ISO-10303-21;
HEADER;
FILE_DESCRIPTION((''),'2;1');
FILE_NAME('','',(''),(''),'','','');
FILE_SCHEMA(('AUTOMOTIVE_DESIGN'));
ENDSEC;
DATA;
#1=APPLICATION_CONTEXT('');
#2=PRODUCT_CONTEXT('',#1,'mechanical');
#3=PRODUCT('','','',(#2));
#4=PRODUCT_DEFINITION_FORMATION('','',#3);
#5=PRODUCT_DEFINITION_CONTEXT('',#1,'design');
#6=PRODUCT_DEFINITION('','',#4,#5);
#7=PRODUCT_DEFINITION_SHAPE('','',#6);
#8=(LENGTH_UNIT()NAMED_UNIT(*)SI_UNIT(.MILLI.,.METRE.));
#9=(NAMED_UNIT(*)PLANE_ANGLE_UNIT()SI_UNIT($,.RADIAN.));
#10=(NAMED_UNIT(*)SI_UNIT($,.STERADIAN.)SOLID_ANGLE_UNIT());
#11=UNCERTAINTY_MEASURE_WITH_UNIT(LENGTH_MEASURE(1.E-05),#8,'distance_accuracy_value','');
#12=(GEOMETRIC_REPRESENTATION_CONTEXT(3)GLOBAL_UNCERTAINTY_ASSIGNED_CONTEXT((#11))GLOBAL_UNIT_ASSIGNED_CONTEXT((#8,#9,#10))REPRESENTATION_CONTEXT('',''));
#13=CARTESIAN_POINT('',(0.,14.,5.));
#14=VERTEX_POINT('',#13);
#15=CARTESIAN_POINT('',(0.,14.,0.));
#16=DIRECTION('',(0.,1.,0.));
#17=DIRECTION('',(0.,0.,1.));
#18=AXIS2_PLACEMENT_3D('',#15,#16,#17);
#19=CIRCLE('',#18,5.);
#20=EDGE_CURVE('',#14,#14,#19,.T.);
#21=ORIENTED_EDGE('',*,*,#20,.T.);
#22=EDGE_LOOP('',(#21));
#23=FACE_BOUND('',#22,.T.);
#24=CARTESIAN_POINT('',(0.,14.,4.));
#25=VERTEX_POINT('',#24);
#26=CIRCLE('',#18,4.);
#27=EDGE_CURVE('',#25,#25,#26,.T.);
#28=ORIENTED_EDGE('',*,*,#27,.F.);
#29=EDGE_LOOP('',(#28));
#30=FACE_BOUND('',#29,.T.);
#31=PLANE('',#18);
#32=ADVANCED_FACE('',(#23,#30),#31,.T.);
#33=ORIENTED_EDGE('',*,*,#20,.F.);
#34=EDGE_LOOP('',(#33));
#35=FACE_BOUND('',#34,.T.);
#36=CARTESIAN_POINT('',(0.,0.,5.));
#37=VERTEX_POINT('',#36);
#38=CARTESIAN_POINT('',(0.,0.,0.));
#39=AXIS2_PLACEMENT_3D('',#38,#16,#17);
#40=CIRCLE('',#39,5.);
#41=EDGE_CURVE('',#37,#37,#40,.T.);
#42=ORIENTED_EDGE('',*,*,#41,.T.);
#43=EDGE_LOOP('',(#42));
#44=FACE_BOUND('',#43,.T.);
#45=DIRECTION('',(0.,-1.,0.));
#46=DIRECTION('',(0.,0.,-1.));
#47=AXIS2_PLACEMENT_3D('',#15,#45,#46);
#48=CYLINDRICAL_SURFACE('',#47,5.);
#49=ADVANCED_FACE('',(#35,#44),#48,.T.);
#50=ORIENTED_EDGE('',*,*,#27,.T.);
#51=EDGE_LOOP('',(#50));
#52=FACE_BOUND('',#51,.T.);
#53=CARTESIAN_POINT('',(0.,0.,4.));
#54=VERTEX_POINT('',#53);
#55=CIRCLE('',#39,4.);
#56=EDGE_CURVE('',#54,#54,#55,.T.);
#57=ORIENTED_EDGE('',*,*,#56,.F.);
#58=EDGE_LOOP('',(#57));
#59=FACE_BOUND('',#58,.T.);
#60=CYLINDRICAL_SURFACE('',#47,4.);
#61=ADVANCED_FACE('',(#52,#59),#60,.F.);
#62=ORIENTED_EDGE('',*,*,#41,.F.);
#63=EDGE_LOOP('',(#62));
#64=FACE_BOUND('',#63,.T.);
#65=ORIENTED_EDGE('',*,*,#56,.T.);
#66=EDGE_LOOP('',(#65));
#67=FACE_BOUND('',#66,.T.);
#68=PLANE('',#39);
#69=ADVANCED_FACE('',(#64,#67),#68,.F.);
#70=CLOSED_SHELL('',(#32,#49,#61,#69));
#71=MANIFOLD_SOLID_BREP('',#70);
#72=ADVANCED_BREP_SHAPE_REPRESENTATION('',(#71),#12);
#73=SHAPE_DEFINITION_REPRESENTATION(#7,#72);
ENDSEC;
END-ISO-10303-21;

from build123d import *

# Parameters (mm, degrees)
SKETCH1_R           = 5
SKETCH1_R_2         = 4
BOSS_EXTRUDE1_DEPTH = 14


with BuildPart() as part:
    # Sketch1 → Boss-Extrude1 (new body)
    with BuildSketch(Plane(origin=(0, 0, 0), x_dir=(1, 0, 0), z_dir=(0, 1, 0))):
        Circle(SKETCH1_R)
        Circle(SKETCH1_R_2, mode=Mode.SUBTRACT)
    extrude(amount=BOSS_EXTRUDE1_DEPTH)


solid = part.part
